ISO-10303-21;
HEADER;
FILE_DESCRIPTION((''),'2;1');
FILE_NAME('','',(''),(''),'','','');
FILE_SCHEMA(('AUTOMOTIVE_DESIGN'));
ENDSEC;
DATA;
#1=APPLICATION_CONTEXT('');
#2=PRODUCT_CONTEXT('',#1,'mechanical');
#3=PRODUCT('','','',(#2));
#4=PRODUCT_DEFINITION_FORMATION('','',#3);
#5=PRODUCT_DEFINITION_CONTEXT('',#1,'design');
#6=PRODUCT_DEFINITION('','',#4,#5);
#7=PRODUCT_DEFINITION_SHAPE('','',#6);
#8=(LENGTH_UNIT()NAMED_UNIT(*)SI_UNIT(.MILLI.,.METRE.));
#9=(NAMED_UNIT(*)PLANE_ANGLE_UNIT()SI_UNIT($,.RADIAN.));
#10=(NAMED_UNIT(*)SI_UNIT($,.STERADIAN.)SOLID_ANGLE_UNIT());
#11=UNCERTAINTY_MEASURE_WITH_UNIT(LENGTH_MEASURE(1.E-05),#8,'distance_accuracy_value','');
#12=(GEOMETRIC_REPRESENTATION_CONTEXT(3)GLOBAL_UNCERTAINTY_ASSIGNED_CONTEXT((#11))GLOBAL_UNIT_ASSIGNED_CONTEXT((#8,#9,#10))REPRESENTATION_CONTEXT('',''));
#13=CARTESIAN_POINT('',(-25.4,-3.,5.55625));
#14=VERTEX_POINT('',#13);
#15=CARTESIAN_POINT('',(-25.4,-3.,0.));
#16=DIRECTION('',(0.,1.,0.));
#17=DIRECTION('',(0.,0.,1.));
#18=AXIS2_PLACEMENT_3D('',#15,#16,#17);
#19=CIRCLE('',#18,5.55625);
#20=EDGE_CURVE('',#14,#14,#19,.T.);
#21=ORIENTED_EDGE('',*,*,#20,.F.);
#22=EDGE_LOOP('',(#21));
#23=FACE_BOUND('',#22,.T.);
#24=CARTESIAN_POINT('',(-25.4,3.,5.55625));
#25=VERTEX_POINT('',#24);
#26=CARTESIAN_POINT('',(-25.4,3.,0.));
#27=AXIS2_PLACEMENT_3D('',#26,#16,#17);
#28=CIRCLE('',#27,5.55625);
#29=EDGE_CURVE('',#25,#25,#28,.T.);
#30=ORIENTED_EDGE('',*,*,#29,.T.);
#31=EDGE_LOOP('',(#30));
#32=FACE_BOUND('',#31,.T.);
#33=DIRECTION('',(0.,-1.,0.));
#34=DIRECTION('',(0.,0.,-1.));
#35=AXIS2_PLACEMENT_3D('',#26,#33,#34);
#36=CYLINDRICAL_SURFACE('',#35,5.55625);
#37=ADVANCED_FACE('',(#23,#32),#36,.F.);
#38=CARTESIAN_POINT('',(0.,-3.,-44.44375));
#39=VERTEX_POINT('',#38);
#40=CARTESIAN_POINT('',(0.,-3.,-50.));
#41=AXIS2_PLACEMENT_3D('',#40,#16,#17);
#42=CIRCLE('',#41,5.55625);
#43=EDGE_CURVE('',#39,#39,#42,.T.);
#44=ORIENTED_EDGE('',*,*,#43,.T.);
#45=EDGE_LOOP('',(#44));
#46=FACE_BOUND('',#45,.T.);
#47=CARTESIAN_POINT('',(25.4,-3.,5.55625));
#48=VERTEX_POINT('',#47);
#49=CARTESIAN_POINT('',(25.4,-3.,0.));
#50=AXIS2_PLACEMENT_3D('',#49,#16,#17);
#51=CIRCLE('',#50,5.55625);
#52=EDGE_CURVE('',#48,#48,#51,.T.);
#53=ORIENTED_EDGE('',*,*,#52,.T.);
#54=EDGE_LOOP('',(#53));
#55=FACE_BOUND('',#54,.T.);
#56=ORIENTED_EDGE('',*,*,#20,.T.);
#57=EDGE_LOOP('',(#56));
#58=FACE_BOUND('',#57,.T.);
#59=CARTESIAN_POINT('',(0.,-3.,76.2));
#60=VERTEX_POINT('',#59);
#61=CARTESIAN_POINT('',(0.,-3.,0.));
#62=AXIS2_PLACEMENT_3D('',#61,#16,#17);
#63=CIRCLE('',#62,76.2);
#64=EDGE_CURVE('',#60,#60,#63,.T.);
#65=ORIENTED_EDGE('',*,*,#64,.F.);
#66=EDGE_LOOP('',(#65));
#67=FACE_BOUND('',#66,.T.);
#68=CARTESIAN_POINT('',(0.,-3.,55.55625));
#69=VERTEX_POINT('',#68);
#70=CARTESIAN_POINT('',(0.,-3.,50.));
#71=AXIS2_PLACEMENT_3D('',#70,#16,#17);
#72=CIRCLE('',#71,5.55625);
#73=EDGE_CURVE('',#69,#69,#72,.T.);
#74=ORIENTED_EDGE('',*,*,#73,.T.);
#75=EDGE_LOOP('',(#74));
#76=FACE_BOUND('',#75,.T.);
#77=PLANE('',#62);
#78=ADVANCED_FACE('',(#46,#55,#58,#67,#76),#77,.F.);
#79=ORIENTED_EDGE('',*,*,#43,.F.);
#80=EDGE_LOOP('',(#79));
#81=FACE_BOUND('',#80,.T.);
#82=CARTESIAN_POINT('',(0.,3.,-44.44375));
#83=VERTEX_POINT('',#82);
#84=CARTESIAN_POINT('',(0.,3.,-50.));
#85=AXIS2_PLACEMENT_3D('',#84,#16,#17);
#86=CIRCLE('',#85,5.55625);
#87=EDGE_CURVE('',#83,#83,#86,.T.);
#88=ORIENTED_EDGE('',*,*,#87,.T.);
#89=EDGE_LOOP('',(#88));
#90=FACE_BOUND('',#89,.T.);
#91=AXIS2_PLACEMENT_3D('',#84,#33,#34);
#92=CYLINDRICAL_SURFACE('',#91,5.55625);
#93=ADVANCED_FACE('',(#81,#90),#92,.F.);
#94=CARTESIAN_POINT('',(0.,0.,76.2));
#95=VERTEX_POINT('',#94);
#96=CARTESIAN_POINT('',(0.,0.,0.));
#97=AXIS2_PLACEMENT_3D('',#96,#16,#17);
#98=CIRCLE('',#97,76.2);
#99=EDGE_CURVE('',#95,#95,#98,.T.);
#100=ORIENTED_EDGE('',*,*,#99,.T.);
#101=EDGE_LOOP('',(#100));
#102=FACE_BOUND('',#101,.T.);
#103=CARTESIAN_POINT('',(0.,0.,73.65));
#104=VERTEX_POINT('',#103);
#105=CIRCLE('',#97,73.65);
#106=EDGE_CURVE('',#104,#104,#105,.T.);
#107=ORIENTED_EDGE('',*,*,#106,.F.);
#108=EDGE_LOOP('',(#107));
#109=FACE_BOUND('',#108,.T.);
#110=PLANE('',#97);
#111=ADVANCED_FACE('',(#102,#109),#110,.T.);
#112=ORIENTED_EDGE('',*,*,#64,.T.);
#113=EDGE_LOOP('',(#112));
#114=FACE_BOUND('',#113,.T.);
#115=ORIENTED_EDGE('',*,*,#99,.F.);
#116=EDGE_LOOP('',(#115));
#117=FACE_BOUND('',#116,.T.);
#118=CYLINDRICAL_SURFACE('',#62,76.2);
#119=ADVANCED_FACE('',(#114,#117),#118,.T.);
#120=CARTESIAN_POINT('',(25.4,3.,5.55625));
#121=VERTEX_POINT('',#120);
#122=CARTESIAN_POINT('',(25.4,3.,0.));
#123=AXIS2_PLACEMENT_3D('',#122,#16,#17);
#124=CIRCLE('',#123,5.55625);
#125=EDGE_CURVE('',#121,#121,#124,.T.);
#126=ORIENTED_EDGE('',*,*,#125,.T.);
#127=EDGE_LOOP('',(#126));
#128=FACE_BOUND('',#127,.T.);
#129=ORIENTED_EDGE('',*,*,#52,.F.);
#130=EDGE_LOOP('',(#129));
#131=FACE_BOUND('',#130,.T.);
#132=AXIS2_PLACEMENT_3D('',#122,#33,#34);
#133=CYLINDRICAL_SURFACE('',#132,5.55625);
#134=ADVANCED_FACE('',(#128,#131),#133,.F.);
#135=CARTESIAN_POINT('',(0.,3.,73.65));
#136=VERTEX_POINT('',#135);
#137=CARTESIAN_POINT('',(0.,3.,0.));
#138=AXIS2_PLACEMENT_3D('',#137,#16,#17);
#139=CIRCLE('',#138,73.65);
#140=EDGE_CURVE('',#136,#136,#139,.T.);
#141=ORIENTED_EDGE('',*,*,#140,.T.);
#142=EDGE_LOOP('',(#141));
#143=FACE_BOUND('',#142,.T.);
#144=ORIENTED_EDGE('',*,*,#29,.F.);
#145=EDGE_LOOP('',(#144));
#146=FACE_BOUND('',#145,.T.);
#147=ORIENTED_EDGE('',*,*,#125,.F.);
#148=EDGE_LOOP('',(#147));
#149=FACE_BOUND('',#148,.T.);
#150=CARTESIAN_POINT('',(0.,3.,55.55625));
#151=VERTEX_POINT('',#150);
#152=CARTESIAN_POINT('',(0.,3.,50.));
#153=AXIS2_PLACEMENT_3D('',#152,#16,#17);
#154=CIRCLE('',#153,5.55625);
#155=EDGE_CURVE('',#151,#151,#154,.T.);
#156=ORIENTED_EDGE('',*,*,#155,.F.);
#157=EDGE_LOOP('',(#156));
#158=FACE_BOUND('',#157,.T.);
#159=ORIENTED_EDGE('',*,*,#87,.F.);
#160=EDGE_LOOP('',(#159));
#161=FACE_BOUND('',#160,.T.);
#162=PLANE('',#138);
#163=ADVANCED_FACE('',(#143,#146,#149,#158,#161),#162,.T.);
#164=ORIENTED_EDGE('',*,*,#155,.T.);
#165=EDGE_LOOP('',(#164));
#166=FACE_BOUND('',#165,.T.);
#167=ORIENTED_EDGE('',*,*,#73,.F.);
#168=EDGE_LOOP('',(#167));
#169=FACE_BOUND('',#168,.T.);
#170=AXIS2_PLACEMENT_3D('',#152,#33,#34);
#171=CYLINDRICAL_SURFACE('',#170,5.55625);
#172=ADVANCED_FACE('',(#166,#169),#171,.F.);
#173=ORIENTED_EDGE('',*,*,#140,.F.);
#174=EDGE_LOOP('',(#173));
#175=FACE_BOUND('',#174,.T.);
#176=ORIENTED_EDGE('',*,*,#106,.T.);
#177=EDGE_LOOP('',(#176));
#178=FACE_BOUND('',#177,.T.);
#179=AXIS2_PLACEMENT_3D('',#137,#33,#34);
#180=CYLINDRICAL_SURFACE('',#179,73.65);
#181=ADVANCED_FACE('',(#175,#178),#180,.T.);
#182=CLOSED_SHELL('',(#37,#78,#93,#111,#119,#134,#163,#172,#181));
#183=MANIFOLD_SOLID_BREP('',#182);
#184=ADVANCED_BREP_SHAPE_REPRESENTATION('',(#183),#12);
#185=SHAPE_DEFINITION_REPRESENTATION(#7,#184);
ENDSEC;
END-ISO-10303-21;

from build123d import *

# Parameters (mm, degrees)
SKETCH1_R           = 73.65
SKETCH1_R_2         = 5.55625
BOSS_EXTRUDE1_DEPTH = 3
BOSS_EXTRUDE2_START = -3
SKETCH1_3_R         = 76.2
SKETCH1_3_R_2       = 5.55625
BOSS_EXTRUDE2_DEPTH = 3


with BuildPart() as part:
    # Sketch1 → Boss-Extrude1 (new body)
    with BuildSketch(Plane(origin=(0, 0, 0), x_dir=(1, 0, 0), z_dir=(0, 1, 0))):
        Circle(SKETCH1_R)
        with Locations((0, -50)):
            Circle(SKETCH1_R_2, mode=Mode.SUBTRACT)
        with Locations((-25.4, 0)):
            Circle(SKETCH1_R_2, mode=Mode.SUBTRACT)
        with Locations((25.4, 0)):
            Circle(SKETCH1_R_2, mode=Mode.SUBTRACT)
        with Locations((0, 50)):
            Circle(SKETCH1_R_2, mode=Mode.SUBTRACT)
    extrude(amount=BOSS_EXTRUDE1_DEPTH)

    # Sketch1<3> → Boss-Extrude2 (add)
    with BuildSketch(Plane(origin=(0, 0, 0), x_dir=(1, 0, 0), z_dir=(0, 1, 0)).offset(BOSS_EXTRUDE2_START)):
        Circle(SKETCH1_3_R)
        with Locations((0, 50)):
            Circle(SKETCH1_3_R_2, mode=Mode.SUBTRACT)
        with Locations((0, -50)):
            Circle(SKETCH1_3_R_2, mode=Mode.SUBTRACT)
        with Locations((-25.4, 0)):
            Circle(SKETCH1_3_R_2, mode=Mode.SUBTRACT)
        with Locations((25.4, 0)):
            Circle(SKETCH1_3_R_2, mode=Mode.SUBTRACT)
    extrude(amount=BOSS_EXTRUDE2_DEPTH)


solid = part.part
